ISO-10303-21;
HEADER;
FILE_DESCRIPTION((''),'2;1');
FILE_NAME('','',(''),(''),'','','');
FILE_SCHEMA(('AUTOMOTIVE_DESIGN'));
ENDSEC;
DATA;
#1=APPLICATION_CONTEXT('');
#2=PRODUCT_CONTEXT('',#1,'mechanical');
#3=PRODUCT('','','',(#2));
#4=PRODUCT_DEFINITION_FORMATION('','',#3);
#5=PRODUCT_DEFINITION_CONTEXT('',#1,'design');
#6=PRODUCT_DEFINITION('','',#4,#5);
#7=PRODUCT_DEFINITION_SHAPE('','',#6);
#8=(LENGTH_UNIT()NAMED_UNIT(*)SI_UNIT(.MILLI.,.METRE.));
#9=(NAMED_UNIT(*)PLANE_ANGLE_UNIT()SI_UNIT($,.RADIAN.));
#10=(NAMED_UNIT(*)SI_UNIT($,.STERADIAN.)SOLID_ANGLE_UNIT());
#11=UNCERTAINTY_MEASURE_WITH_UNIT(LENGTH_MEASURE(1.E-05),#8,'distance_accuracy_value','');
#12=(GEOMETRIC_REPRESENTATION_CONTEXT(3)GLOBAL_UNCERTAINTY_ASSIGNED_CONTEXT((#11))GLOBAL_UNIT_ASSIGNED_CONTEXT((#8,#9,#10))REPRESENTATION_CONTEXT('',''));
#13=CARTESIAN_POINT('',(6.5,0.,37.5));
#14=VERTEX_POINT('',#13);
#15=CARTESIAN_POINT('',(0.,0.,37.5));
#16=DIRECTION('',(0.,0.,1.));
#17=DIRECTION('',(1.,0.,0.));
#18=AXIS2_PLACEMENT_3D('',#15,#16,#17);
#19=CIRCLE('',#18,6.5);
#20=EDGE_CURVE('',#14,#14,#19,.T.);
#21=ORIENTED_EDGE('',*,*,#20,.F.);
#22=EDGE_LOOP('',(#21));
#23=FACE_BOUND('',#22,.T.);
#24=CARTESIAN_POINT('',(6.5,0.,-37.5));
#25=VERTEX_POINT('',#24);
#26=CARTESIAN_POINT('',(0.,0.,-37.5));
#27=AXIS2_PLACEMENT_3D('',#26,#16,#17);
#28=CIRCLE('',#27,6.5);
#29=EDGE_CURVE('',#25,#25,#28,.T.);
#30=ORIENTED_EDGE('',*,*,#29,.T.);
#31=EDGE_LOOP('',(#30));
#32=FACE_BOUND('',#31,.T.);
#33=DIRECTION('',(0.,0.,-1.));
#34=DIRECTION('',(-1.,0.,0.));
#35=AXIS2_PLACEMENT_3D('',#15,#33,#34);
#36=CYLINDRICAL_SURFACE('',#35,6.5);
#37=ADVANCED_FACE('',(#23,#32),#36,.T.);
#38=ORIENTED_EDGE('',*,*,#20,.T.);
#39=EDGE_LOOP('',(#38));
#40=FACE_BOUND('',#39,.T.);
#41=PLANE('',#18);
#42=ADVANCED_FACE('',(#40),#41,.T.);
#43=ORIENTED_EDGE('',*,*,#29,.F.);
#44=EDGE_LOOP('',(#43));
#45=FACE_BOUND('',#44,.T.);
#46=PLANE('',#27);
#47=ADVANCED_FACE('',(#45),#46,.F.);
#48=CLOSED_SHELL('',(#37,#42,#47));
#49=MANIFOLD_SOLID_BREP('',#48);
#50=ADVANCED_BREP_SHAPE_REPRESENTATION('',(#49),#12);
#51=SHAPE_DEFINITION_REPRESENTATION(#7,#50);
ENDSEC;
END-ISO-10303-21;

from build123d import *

# Parameters (mm, degrees)
SKETCH1_R           = 6.5
BOSS_EXTRUDE1_DEPTH = 37.5


with BuildPart() as part:
    # Sketch1 → Boss-Extrude1 (new body, symmetric)
    with BuildSketch(Plane.XY):
        Circle(SKETCH1_R)
    extrude(amount=BOSS_EXTRUDE1_DEPTH, both=True)


solid = part.part
